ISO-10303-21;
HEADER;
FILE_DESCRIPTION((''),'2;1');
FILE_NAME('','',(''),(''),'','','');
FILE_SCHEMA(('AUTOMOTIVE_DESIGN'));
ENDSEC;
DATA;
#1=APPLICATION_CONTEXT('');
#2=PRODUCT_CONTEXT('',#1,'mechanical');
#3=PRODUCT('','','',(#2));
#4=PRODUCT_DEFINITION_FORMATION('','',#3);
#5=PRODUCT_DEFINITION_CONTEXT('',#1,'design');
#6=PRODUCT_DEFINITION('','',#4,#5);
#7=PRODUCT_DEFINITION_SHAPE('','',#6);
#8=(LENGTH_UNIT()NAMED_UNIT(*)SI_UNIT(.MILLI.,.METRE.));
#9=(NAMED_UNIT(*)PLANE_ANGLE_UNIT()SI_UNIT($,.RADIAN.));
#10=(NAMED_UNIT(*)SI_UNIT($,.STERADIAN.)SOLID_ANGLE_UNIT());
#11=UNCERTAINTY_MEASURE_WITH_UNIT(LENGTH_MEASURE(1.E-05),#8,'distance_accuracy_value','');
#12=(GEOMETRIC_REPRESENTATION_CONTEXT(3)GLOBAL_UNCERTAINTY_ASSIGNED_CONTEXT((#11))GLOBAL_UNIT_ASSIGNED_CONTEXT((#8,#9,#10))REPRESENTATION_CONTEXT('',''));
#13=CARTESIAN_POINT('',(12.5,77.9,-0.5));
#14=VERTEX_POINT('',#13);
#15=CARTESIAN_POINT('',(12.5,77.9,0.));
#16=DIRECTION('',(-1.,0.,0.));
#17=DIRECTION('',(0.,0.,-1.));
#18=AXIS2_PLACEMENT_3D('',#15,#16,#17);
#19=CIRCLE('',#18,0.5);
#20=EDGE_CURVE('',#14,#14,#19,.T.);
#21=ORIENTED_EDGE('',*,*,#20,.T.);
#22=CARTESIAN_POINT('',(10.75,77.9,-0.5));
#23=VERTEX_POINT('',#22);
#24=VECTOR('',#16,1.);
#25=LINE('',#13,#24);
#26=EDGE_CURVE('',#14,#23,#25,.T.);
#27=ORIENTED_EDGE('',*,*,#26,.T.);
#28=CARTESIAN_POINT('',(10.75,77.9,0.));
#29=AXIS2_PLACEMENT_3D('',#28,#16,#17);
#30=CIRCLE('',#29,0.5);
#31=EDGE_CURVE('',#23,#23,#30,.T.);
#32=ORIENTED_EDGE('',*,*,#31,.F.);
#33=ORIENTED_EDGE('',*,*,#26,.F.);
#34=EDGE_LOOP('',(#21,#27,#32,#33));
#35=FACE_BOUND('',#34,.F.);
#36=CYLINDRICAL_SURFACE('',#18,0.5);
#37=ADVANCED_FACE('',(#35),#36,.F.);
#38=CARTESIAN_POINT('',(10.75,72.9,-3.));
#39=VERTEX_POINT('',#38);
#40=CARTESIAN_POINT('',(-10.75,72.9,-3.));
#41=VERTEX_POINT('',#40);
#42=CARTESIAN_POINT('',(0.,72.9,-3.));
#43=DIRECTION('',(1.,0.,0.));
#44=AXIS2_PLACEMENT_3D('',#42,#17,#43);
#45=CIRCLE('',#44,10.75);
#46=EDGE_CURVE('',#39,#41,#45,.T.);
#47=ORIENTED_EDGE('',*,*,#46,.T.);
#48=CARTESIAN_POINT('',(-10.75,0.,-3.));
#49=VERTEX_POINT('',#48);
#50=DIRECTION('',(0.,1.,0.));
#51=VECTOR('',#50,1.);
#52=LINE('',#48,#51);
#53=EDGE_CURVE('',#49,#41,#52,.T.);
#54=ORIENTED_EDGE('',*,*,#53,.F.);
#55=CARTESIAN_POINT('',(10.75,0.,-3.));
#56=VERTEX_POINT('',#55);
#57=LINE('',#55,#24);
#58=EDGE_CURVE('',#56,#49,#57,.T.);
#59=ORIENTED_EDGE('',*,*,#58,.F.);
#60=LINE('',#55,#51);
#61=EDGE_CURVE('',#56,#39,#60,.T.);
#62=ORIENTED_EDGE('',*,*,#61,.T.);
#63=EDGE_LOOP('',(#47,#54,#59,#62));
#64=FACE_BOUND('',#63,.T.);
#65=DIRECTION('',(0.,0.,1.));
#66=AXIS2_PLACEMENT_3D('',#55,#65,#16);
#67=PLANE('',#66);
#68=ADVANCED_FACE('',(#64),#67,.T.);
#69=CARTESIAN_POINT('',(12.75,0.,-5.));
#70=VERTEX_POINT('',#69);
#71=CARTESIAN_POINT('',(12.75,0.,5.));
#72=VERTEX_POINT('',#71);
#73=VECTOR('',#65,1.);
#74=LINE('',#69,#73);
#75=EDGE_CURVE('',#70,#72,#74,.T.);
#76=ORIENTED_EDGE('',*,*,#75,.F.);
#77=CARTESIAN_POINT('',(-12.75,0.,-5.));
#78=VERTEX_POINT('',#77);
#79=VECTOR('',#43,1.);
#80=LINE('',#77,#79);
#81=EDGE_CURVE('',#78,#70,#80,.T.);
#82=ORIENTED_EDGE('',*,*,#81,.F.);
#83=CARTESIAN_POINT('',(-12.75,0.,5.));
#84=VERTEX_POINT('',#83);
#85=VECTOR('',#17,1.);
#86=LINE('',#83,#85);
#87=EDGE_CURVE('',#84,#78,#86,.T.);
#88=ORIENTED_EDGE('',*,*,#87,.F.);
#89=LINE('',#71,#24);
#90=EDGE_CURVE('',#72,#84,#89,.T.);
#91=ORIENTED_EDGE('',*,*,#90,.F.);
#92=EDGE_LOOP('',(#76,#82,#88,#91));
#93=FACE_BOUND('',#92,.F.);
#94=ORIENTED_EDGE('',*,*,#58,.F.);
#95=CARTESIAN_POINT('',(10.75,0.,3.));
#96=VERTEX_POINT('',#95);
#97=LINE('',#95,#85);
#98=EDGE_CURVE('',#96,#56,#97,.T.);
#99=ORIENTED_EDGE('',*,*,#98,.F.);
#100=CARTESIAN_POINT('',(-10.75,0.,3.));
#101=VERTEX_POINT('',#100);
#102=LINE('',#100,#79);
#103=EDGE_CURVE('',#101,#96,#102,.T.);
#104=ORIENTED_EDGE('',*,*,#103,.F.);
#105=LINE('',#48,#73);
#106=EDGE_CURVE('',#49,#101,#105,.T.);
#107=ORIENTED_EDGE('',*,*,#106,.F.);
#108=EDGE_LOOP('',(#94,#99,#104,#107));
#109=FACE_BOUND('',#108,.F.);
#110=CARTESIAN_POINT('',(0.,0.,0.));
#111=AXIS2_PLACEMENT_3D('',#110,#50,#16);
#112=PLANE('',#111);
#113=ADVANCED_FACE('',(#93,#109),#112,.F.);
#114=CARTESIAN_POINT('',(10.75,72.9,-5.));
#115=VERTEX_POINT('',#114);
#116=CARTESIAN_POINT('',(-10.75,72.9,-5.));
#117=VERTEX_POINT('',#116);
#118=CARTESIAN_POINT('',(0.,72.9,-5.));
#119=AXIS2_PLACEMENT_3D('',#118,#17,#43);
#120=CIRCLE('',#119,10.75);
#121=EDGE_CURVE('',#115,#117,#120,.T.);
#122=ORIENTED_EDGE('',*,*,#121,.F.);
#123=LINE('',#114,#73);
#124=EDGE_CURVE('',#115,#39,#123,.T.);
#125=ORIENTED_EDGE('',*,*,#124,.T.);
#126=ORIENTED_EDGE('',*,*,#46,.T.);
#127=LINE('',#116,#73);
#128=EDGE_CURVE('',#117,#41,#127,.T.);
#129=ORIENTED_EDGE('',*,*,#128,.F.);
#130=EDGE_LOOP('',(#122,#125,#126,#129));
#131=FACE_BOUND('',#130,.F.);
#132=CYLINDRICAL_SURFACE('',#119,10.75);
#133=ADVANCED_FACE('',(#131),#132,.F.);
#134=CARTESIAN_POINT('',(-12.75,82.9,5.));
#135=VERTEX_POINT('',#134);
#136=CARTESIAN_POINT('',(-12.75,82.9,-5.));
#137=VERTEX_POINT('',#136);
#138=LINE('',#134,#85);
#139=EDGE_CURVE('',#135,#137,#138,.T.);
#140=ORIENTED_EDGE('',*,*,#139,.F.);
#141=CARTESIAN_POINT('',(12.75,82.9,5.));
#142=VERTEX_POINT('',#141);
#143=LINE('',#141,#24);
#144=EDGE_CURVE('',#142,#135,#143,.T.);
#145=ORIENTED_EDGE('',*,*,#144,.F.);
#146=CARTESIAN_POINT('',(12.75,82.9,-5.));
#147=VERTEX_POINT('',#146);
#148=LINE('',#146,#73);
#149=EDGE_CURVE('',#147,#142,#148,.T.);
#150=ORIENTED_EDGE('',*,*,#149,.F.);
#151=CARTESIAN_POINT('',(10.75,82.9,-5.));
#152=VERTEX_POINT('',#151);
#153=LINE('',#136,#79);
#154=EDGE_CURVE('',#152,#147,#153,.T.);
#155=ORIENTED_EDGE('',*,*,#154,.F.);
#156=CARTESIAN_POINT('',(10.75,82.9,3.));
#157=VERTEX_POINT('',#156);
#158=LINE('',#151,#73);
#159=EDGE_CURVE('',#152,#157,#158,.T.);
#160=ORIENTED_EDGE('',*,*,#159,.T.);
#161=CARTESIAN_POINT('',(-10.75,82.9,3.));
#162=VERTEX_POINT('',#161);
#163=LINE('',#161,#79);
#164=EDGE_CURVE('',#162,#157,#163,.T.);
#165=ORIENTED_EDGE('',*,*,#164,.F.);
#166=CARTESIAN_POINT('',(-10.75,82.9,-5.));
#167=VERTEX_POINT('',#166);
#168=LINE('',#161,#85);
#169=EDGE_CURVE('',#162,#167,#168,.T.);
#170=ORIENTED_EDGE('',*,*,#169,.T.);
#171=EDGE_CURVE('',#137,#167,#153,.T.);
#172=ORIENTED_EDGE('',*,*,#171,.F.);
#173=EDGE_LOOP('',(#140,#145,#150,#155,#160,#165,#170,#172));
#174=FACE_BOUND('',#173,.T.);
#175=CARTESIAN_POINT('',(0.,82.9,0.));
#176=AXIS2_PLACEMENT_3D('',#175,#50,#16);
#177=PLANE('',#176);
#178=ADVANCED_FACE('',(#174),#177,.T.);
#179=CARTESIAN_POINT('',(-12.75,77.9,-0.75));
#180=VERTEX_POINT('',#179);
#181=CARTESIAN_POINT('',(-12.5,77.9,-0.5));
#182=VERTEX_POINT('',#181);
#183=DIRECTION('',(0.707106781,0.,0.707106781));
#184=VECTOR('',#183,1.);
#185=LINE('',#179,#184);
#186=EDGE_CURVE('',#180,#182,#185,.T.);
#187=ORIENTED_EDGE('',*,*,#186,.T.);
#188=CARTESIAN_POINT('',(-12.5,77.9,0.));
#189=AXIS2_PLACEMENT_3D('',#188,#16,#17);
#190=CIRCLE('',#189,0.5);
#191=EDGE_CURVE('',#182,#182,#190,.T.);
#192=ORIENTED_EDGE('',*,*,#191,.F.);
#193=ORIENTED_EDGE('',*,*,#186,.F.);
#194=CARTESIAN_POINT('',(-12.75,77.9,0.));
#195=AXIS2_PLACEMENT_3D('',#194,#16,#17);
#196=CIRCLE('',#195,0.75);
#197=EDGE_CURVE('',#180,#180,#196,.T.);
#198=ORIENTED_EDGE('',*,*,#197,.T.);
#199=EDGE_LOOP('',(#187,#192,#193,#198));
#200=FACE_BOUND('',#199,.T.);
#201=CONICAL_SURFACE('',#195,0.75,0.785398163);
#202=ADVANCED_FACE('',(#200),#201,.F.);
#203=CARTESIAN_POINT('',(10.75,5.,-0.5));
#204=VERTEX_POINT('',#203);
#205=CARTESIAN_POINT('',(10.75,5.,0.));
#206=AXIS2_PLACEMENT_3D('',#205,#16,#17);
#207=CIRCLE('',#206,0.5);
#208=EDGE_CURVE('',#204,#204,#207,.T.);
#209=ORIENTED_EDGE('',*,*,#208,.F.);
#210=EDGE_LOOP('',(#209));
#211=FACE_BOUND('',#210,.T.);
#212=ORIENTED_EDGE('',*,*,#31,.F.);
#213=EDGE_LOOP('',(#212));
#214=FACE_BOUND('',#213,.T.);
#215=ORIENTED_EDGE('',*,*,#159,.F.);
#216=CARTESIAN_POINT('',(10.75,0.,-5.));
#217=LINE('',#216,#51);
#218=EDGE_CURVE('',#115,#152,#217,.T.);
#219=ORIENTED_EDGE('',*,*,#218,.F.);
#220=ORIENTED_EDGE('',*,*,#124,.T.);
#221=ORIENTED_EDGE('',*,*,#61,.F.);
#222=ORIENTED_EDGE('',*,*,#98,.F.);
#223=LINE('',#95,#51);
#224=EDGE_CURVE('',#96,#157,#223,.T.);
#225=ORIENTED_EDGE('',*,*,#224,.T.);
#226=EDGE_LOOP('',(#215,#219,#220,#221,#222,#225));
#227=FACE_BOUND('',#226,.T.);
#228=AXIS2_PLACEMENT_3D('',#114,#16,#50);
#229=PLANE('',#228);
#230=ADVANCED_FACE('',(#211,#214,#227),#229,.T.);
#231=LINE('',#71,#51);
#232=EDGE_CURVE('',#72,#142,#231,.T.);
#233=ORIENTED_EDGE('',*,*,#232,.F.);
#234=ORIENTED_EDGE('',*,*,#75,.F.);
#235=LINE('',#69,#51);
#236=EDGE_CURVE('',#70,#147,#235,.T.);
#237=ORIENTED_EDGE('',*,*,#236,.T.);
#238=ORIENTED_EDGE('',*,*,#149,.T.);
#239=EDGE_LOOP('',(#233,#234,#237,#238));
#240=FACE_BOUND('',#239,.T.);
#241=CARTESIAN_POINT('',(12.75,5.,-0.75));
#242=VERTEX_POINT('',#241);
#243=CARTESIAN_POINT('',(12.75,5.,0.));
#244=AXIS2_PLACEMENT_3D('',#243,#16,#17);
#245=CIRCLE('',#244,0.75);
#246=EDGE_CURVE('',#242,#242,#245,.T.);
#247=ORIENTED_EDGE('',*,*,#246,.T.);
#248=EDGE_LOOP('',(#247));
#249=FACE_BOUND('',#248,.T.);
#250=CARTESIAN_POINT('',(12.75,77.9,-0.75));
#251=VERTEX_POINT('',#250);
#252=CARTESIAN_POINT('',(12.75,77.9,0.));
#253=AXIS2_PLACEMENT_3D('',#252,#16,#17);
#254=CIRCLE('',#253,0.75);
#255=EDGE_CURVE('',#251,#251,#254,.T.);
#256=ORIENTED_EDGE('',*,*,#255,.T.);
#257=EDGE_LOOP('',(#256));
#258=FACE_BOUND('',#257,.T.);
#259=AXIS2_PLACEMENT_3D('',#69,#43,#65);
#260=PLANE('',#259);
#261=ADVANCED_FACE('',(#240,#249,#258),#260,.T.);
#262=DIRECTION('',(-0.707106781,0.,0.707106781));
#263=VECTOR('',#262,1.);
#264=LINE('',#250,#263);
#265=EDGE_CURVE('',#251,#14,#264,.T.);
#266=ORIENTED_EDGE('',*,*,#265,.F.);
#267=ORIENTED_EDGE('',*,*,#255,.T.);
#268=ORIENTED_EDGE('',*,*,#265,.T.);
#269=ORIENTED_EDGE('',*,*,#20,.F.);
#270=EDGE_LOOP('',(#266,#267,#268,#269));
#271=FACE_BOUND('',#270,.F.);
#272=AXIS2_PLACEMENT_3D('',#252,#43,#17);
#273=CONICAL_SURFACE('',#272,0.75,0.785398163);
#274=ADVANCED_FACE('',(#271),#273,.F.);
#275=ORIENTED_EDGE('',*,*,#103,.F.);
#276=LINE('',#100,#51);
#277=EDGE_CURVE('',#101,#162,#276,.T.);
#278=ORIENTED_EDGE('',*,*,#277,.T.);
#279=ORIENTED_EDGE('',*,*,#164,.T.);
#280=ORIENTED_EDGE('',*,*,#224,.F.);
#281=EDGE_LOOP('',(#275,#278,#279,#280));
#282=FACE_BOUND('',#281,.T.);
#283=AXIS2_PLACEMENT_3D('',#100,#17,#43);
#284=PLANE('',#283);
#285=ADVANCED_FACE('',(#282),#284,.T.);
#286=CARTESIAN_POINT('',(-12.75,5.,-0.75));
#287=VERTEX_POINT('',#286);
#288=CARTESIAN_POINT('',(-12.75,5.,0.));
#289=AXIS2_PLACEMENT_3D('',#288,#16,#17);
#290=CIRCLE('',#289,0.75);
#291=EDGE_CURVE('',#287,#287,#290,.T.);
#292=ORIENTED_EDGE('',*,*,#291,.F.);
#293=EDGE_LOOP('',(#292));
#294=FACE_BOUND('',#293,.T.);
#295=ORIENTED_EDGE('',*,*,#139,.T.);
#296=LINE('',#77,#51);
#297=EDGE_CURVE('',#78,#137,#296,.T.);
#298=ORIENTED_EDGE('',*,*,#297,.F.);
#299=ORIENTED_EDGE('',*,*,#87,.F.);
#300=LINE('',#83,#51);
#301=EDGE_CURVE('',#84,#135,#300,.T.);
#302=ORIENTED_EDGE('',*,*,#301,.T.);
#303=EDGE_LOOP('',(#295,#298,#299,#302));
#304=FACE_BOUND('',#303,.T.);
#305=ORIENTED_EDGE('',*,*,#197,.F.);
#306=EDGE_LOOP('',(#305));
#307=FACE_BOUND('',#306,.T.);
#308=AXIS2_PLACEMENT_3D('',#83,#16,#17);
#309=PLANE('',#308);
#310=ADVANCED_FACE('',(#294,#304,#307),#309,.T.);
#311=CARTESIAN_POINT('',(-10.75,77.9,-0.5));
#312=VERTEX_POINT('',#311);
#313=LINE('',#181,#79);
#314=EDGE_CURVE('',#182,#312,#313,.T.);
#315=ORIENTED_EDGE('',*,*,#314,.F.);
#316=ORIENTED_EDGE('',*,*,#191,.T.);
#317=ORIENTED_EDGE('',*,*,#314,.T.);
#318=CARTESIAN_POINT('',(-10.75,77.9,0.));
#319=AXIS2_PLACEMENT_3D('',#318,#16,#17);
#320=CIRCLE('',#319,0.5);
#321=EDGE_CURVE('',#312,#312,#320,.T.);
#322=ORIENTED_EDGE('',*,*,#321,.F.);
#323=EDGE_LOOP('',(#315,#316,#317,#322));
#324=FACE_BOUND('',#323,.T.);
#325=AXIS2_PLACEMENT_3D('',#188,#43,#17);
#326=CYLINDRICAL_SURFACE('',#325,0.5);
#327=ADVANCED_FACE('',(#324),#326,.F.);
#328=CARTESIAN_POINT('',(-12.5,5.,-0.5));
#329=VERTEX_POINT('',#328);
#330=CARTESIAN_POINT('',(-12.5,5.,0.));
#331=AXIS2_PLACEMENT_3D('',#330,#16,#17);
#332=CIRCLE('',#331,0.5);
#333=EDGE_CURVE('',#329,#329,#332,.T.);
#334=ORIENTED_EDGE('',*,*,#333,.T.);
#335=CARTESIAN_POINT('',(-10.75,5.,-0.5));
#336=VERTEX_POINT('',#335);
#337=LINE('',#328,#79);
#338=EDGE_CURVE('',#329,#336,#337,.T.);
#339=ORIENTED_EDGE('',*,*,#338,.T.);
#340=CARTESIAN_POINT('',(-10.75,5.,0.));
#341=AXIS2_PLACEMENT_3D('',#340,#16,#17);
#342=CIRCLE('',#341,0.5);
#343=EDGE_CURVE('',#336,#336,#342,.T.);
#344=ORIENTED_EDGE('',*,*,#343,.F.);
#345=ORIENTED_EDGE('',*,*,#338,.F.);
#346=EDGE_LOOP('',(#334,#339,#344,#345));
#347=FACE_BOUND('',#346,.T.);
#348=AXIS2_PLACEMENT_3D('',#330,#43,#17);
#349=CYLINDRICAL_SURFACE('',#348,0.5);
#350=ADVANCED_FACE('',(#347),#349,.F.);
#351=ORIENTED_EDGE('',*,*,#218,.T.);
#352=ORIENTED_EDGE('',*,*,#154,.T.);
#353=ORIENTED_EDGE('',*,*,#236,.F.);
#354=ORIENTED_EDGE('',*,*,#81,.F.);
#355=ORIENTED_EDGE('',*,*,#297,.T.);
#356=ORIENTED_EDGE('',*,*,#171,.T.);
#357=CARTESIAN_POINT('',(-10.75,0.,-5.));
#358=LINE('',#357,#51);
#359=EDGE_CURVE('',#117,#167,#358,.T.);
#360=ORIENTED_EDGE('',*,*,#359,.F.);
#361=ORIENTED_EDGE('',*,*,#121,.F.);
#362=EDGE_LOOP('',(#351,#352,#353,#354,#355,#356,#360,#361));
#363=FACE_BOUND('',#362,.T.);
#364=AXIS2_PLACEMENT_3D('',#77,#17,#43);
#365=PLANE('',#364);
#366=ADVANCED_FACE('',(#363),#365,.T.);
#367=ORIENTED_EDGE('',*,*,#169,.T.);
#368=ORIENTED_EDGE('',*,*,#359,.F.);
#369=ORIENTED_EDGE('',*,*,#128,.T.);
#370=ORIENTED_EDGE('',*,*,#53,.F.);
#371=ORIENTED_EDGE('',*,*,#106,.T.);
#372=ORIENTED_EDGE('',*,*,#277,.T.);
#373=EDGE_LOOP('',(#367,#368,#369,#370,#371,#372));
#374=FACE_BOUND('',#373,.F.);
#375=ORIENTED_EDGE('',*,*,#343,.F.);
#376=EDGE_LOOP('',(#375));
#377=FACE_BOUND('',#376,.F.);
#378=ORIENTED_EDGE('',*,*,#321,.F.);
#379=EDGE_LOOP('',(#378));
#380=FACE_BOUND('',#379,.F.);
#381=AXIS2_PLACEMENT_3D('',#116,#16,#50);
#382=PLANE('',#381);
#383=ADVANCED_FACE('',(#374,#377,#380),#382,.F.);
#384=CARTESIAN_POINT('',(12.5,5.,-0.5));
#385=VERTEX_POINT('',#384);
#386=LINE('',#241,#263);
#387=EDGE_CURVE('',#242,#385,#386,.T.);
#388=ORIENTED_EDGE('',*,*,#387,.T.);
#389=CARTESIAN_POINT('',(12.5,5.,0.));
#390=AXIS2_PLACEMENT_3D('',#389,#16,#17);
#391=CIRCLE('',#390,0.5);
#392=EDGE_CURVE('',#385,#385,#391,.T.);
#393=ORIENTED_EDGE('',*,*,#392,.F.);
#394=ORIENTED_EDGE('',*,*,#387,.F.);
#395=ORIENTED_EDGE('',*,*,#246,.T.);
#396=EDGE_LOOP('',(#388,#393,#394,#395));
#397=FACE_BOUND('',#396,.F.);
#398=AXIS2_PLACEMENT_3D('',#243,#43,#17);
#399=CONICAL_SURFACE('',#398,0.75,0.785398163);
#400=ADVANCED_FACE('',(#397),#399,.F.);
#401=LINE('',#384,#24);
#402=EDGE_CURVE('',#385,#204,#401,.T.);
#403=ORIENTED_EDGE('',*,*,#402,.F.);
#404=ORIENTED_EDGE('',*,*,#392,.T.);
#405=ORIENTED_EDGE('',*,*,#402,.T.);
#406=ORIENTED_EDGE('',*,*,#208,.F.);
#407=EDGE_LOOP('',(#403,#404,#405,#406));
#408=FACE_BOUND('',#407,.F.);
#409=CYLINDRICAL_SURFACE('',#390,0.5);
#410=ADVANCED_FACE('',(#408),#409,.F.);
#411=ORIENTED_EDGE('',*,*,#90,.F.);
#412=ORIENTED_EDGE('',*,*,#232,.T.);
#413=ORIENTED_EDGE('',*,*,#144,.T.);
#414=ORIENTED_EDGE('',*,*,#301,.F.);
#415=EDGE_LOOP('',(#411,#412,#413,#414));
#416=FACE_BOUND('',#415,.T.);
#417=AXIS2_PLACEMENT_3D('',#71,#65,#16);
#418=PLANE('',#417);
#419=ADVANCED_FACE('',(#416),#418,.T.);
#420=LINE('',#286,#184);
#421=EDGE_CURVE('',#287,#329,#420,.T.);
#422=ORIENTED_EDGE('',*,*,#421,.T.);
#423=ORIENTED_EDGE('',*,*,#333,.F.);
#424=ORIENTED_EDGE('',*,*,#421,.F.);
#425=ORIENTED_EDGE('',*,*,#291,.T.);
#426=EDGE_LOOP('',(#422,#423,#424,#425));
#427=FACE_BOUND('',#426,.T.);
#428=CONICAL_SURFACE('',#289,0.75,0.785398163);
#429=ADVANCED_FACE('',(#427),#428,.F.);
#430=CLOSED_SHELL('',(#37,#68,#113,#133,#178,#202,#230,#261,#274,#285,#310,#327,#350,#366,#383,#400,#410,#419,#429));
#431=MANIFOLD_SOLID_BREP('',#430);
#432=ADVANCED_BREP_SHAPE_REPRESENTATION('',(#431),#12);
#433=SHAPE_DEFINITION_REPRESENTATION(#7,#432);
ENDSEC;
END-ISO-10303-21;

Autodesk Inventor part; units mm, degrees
ref_plane "YZ Plane" through (0, 0, 0) normal (1, 0, 0) x (0, 1, 0)
ref_plane "XZ Plane" through (0, 0, 0) normal (0, 1, 0) x (-1, 0, 0)
ref_plane "XY Plane" through (0, 0, 0) normal (0, 0, 1) x (1, 0, 0)
sketch "Эскиз1" plane through (0, 0, 0) normal (0, 1, 0) x (-1, 0, 0)
  line L0 (12.75, -5) -> (-12.75, -5)
  line L1 (-12.75, -5) -> (-12.75, 5)
  line L2 (-12.75, 5) -> (12.75, 5)
  line L3 (12.75, 5) -> (12.75, -5)
  line L4 (-12.75, -5) -> (12.75, 5) construction
  line L5 (12.75, -5) -> (-12.75, 5) construction
  line L6 (-10.75, -3) -> (10.75, -3)
  line L7 (10.75, -3) -> (10.75, 3)
  line L8 (10.75, 3) -> (-10.75, 3)
  line L9 (-10.75, 3) -> (-10.75, -3)
  point P0 (0, 0)
  point P1 (0, 0)
  dimension "d0" = 25.5
  dimension "d1" = 10
  dimension "d2" = 2
extrude "Выдавливание1" add sketch "Эскиз1" along normal blind 82.9
sketch "Эскиз3" plane through (12.75, 0, -5) normal (0, 0, -1) x (-1, 0, 0)
  line L0 (0, 0) -> (0, 82.9) projected
  line L1 (25.5, 0) -> (25.5, 82.9) projected
  line L2 (25.5, 0) -> (25.5, 82.9) projected
  line L3 (0, 0) -> (0, 82.9) projected
  line L4 (0, 82.9) -> (25.5, 82.9) projected
  arc A0 (2, 72.9) -> (23.5, 72.9) centre (12.75, 72.9) ccw
  line L5 (23.5, 0) -> (23.5, 82.9) projected
  line L6 (2, 0) -> (2, 82.9) projected
  line L7 (23.5, 0) -> (23.5, 82.9) projected
  line L8 (23.5, 72.9) -> (23.5, 82.9)
  line L9 (23.5, 82.9) -> (2, 82.9)
  line L10 (2, 72.9) -> (2, 82.9)
  point P0 (12.75, 0)
  dimension "d10" = 10
extrude "Выдавливание3" cut sketch "Эскиз3" against normal up to surface (2 mm away)
sketch "Эскиз2" plane through (12.75, 0, 5) normal (1, 0, 0) x (0, 0, -1)
  line L0 (0, 82.9) -> (10, 82.9) construction
  line L1 (10, 82.9) -> (0, 72.9) construction
  line L2 (0, 0) -> (0, 82.9) construction
  line L3 (0, 82.9) -> (10, 72.9) construction
  line L4 (10, 0) -> (10, 82.9) construction
  line L5 (10, 0) -> (0, 10) construction
  line L6 (0, 0) -> (10, 10) construction
  circle A0 centre (5, 77.9) radius 0.5
  circle A1 centre (5, 5) radius 0.5
  point P0 (5, 0)
  dimension "d5" = 1
  dimension "d6" = 1
hole "Отверстие1" at (12.75, 77.9, 0) at (12.75, 5, 0) direction (-1, 0, 0) diameter 1 depth 2 countersink diameter 1.5 countersink angle 90
mirror "Зеркальное отражение1" about plane through (0, 0, 0) normal (1, 0, 0) of "Отверстие1"
properties part number "board-1-new"
